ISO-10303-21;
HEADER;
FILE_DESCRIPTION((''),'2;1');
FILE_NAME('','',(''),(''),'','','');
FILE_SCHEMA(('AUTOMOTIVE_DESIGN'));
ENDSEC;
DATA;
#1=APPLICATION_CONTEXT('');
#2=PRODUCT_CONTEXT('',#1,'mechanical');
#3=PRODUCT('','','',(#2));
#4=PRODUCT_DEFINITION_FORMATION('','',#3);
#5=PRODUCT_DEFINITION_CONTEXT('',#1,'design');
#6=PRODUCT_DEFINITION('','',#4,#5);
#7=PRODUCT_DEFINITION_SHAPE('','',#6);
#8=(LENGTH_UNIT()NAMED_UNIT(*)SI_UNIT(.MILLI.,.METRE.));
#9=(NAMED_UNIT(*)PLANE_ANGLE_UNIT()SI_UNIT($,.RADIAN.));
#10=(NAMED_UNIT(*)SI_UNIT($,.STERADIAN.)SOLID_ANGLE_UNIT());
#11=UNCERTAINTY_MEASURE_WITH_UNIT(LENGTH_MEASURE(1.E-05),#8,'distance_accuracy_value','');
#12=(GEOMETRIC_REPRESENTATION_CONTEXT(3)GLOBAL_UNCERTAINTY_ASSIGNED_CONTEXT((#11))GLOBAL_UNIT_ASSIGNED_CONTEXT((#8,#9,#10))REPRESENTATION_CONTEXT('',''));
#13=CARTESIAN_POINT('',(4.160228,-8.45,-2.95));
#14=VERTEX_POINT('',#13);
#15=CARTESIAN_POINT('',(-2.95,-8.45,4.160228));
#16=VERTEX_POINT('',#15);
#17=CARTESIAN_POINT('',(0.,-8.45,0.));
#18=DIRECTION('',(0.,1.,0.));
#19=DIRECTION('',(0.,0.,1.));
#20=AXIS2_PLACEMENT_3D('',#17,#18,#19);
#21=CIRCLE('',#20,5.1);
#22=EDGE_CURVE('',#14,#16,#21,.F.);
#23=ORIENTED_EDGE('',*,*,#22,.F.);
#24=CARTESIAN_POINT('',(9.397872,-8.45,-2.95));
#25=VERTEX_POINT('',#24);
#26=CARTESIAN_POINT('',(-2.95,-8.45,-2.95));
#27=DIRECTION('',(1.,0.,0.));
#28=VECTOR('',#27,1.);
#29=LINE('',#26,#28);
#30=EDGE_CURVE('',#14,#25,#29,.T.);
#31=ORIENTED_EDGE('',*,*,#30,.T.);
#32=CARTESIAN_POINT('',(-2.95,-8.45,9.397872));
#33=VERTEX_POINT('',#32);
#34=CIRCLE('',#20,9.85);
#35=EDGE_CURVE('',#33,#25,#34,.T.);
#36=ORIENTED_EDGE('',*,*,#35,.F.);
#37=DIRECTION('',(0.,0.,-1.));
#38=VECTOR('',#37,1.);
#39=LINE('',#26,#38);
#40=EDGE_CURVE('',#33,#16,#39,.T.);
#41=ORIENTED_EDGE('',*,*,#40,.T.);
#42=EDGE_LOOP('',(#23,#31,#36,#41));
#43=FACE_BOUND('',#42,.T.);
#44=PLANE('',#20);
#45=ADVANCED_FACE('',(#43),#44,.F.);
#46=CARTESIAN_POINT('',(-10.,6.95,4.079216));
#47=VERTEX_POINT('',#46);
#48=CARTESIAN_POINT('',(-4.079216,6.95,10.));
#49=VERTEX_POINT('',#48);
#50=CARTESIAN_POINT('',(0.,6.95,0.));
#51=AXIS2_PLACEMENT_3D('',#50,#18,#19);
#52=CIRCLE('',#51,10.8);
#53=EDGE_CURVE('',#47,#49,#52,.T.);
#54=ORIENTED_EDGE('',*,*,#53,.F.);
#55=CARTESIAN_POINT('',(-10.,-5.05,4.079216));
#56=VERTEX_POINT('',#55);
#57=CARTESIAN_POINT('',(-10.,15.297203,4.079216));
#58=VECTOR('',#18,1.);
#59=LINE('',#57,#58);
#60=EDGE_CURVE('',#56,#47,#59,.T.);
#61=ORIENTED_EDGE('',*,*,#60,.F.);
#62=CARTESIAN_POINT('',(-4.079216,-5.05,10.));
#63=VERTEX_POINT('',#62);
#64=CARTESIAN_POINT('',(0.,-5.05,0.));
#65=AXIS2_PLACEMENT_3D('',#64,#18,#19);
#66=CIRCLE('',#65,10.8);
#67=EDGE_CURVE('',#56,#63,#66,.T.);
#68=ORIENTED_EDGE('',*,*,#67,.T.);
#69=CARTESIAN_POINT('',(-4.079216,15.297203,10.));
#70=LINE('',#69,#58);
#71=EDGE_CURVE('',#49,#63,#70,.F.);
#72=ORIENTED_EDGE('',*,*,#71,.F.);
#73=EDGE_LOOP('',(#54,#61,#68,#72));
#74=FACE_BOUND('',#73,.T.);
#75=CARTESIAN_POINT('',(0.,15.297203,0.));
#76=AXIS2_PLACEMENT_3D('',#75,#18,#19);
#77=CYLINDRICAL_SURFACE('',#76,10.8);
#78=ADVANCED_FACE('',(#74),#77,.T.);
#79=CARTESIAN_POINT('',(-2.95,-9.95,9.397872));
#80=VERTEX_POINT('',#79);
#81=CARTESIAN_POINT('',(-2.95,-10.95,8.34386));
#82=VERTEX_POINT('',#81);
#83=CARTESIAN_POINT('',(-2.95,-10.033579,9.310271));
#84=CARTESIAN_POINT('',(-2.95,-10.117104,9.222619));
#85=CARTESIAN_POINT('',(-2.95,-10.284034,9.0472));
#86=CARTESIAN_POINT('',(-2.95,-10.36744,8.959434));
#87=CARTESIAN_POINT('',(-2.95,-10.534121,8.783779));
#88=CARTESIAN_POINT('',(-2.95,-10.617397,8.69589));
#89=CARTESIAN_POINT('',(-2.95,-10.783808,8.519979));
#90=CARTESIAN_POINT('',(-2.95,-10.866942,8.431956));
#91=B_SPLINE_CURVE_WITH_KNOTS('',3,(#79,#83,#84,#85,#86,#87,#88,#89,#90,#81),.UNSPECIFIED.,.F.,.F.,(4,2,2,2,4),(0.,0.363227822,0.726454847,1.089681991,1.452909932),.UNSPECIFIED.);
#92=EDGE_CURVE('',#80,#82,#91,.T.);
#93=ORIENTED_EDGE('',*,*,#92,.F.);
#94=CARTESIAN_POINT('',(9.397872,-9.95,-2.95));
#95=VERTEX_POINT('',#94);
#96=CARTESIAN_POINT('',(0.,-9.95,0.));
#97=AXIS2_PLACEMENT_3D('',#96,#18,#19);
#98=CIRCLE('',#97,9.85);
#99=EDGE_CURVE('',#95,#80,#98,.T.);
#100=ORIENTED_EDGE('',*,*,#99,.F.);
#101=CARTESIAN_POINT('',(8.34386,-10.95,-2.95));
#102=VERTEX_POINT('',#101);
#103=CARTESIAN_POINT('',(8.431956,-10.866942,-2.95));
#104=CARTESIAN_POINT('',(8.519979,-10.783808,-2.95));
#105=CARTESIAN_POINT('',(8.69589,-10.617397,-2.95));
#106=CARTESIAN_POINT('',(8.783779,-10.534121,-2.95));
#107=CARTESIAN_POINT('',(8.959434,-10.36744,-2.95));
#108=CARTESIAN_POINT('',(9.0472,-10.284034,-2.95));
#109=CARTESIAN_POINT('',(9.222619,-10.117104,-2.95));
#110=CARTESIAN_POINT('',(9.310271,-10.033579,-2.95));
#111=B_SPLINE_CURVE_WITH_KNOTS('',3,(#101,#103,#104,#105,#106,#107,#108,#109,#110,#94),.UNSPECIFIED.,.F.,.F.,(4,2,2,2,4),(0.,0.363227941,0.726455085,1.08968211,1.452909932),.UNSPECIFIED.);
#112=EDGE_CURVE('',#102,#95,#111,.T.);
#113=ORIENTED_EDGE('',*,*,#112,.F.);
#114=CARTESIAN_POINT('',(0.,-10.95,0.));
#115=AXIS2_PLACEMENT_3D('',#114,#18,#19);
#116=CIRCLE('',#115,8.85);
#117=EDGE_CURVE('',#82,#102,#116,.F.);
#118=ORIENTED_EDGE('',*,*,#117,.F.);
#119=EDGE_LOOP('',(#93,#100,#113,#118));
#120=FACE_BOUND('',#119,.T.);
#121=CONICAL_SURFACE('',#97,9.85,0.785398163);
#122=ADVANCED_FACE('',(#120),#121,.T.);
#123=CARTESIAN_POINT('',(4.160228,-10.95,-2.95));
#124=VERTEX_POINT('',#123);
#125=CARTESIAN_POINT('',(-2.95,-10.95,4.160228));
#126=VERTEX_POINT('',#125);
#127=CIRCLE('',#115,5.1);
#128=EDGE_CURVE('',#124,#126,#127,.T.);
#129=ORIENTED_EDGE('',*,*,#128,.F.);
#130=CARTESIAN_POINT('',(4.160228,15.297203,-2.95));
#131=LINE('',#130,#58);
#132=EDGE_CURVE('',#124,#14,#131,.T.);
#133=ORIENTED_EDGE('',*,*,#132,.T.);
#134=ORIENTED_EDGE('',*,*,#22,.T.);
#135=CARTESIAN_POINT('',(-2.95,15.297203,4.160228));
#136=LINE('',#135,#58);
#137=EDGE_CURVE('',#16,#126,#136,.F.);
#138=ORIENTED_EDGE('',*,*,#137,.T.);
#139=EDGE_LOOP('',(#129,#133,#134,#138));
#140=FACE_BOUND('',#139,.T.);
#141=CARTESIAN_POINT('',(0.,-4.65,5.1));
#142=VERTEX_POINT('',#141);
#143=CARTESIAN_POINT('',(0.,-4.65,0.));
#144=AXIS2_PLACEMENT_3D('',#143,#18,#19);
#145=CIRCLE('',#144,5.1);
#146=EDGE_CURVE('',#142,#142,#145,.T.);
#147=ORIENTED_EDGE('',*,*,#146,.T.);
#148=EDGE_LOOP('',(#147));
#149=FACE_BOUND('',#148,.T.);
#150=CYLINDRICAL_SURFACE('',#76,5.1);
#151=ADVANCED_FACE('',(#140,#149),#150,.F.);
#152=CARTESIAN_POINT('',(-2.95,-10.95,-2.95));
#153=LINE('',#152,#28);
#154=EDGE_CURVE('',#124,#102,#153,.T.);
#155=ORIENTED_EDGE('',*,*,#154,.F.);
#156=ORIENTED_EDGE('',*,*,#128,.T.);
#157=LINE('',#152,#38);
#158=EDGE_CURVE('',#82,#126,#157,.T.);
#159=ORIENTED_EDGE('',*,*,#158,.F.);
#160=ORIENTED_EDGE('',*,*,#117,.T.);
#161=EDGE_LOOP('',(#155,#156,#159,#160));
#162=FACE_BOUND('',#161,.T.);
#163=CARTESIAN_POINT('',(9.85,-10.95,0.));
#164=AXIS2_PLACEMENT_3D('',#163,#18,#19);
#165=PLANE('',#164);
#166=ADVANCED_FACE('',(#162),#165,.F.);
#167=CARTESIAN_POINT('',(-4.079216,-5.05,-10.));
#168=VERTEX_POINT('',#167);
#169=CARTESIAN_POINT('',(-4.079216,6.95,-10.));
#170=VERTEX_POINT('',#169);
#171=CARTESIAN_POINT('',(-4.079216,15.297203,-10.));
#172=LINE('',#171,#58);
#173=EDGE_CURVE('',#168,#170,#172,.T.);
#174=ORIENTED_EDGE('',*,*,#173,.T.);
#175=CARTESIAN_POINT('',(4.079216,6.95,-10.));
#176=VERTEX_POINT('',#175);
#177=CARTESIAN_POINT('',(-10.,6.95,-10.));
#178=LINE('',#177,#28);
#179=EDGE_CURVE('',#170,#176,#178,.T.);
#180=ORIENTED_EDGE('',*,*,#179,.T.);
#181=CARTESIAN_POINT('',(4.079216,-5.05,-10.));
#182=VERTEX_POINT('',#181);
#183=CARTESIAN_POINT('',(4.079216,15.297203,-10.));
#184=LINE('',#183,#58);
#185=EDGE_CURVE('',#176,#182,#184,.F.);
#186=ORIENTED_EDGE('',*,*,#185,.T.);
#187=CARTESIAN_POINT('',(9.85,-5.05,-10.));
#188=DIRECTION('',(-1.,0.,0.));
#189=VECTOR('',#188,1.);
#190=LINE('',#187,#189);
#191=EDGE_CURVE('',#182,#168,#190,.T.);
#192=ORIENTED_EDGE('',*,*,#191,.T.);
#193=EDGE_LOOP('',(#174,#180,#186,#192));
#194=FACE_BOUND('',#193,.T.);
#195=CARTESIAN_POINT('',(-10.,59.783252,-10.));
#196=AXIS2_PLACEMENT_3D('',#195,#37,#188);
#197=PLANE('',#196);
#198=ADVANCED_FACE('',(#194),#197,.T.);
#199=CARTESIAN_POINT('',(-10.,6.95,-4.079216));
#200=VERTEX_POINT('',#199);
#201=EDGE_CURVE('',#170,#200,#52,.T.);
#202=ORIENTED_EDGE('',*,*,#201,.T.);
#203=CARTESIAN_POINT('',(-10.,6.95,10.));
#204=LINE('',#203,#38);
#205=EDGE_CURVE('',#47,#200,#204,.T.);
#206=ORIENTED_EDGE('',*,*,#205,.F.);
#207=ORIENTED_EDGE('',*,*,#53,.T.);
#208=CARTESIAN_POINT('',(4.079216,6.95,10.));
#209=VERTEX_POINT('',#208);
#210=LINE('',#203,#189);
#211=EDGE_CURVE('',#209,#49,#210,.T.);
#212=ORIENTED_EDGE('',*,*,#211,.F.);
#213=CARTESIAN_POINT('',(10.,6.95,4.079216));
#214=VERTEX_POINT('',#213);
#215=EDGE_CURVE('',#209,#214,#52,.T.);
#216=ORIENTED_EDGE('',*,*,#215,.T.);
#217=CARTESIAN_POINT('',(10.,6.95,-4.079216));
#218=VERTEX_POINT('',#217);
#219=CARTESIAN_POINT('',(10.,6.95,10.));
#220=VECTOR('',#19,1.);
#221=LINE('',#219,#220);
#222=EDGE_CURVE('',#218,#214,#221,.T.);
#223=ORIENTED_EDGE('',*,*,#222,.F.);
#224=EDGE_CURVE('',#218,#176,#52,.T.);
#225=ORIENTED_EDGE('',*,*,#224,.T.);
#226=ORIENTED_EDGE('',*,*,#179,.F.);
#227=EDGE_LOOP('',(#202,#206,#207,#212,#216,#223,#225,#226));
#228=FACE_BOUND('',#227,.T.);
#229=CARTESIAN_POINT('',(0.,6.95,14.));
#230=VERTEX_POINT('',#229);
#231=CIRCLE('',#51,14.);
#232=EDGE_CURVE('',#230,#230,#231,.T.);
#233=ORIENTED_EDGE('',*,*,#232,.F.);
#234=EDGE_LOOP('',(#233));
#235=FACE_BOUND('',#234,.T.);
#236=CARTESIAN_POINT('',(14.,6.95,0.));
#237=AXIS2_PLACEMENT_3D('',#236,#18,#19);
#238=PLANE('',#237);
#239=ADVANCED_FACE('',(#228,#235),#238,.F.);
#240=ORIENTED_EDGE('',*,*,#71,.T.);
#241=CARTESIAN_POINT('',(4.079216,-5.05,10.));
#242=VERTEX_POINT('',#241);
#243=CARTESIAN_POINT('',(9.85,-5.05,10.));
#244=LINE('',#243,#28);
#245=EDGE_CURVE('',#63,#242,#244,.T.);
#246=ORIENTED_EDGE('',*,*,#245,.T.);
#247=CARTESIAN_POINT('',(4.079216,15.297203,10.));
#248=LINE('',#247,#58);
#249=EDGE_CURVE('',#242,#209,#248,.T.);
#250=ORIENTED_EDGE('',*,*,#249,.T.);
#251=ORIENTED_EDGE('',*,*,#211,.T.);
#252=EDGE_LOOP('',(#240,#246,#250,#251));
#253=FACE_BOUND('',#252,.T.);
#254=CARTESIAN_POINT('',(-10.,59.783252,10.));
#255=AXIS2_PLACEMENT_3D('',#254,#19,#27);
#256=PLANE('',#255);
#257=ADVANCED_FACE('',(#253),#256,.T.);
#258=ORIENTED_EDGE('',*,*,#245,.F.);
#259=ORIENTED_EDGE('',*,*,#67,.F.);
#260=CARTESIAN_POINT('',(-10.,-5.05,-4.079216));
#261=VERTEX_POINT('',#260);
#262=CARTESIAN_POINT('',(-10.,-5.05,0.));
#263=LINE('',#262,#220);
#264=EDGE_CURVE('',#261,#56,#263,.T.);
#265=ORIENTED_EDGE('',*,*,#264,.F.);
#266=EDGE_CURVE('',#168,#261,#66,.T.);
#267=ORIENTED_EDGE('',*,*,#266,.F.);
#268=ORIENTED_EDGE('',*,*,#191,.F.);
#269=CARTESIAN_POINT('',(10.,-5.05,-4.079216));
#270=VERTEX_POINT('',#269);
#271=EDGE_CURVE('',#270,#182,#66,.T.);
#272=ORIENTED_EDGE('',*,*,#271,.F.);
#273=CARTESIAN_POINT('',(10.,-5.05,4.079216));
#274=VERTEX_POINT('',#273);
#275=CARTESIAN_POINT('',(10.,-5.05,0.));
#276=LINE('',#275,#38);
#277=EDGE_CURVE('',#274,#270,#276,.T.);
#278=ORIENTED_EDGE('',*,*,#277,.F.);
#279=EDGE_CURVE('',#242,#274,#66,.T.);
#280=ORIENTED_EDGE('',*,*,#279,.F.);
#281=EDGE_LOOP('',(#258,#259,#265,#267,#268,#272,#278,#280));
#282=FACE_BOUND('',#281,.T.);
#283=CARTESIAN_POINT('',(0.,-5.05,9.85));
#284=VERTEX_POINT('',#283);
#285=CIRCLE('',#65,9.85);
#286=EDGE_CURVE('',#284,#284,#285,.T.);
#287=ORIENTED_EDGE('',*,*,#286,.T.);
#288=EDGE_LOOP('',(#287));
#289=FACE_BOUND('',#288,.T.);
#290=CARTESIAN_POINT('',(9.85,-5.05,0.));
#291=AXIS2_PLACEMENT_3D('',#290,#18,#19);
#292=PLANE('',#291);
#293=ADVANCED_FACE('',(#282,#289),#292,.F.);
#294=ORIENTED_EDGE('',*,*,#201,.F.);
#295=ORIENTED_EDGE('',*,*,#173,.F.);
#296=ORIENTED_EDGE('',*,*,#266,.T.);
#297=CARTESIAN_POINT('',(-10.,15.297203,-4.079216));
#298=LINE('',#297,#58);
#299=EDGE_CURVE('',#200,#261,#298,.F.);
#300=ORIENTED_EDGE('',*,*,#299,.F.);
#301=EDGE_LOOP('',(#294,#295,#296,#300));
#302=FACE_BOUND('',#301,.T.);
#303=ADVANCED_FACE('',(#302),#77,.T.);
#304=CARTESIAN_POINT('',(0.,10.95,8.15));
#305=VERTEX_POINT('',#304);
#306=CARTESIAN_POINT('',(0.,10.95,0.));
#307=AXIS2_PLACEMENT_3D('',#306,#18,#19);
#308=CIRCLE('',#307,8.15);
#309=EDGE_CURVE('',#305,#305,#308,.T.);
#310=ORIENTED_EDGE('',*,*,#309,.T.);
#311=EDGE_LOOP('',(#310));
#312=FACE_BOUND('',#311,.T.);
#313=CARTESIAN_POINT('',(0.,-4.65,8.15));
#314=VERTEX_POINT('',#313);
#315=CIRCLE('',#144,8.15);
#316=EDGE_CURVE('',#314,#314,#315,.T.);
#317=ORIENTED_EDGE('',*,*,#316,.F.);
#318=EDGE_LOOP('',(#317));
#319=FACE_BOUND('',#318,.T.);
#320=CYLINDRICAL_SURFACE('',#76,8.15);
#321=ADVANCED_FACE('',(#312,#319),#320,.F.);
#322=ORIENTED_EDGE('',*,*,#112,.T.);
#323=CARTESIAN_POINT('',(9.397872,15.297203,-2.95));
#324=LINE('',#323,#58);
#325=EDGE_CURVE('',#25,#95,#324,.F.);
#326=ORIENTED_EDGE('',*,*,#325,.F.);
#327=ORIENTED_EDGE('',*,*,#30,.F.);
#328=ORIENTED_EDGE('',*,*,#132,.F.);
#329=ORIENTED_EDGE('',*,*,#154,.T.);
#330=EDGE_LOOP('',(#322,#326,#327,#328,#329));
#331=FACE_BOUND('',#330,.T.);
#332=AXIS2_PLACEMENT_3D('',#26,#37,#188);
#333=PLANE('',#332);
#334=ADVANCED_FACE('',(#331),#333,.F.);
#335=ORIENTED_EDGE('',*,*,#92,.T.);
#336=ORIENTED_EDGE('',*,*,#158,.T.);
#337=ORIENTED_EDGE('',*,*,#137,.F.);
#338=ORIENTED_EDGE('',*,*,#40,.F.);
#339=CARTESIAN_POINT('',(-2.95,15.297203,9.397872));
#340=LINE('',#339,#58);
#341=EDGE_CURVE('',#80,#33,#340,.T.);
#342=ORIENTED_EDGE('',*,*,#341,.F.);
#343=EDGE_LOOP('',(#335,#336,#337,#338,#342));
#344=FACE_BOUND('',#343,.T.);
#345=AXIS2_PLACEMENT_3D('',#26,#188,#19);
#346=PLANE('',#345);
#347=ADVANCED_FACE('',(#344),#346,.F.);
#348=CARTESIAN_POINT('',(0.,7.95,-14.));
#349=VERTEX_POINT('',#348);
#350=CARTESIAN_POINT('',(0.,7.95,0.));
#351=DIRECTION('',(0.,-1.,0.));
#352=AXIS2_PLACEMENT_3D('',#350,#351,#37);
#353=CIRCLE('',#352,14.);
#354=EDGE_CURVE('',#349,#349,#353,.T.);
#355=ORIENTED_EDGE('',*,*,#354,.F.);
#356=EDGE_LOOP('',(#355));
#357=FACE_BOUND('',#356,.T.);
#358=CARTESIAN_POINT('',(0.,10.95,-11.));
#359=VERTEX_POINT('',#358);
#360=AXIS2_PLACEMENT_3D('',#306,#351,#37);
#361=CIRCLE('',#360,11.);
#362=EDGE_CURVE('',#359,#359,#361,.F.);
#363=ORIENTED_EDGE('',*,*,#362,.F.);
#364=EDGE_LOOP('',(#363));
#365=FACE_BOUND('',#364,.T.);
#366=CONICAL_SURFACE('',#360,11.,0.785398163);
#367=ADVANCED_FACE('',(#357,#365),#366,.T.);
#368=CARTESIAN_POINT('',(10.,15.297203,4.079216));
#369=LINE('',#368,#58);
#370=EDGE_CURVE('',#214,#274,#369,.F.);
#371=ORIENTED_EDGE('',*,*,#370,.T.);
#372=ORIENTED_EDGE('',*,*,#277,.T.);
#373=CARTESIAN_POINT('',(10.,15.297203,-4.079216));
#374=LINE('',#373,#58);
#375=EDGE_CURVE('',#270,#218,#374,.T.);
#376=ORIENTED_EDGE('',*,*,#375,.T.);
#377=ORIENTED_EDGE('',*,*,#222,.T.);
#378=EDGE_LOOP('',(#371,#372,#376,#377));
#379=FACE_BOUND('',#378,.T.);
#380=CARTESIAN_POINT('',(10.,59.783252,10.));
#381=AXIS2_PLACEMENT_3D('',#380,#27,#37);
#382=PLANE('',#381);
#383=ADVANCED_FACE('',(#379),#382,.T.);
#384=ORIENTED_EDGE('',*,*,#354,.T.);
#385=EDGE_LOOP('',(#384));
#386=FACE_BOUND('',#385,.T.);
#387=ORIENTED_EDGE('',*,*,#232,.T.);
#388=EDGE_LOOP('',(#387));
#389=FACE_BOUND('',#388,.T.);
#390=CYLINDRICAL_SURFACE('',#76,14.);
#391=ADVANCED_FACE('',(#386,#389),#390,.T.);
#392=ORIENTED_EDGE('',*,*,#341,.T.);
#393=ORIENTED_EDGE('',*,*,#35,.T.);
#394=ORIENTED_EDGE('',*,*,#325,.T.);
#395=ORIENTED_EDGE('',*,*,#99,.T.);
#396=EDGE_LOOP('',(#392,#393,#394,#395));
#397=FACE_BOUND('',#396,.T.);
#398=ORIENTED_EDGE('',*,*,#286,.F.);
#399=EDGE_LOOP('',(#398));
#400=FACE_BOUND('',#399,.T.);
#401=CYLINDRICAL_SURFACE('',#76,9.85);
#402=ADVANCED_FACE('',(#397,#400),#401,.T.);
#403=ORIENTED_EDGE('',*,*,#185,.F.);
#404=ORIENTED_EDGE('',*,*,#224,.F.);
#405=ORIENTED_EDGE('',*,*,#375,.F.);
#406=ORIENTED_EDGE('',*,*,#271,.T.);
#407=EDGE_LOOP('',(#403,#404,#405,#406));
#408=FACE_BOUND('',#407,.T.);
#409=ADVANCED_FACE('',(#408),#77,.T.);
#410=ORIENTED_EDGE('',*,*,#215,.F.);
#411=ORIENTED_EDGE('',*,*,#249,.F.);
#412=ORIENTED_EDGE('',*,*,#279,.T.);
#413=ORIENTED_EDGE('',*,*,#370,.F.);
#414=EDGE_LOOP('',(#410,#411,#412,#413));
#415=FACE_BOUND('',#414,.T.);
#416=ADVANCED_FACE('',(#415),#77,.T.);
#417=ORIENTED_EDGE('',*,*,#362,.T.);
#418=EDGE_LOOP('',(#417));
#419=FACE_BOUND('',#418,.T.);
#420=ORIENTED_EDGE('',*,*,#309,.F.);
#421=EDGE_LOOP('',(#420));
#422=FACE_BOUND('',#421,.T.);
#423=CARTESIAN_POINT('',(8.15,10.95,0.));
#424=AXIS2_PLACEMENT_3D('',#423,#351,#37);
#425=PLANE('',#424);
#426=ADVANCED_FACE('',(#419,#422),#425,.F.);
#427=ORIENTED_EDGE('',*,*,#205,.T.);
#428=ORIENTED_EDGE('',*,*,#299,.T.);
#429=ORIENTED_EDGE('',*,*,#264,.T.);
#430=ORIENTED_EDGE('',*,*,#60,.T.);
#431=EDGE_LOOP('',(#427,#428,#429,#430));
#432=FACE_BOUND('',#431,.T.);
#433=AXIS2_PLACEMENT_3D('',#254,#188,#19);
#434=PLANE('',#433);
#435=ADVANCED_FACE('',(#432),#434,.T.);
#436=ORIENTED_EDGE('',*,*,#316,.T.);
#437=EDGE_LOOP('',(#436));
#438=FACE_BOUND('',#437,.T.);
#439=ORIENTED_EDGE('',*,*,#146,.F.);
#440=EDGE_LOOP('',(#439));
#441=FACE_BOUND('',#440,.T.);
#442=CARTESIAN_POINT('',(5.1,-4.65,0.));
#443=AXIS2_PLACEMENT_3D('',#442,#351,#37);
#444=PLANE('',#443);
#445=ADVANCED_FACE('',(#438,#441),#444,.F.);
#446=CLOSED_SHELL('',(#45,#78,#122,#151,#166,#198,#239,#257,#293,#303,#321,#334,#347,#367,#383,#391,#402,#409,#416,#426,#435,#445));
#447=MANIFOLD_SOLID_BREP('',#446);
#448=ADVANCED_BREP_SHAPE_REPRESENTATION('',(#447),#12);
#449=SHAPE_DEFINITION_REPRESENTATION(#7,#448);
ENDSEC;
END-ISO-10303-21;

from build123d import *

# Parameters (mm, degrees)
SMUSSO1_SIZE             = 3
SCHIZZO2_R               = 18.679375542
SCHIZZO2_W               = 20
SCHIZZO2_H               = 20
TAGLIO_ESTRUSIONE1_DEPTH = 17.9
SCHIZZO3_W               = 20
SCHIZZO3_H               = 20
TAGLIO_ESTRUSIONE2_DEPTH = 2.5
SMUSSO2_SIZE             = 1


with BuildPart() as part:
    # Schizzo1 → Rivoluzione1 (revolve)
    with BuildSketch(Plane.XY, mode=Mode.PRIVATE) as rivoluzione1_sk:
        Polygon((8.15, -4.65), (8.15, 10.95), (14, 10.95), (14, 6.95), (10.8, 6.95), (10.8, -5.05), (9.85, -5.05), (9.85, -10.95), (5.1, -10.95), (5.1, -4.65), align=None)
    revolve(rivoluzione1_sk.sketch.rotate(Axis((0, 15.297202797, 0), (0, -1, 0)), 90), axis=Axis((0, 15.297202797, 0), (0, -1, 0)))

    # Smusso1
    smusso1_edges = [part.edges().sort_by_distance(p)[0] for p in [
        (0, 10.95, -14),
    ]]
    chamfer(smusso1_edges, length=SMUSSO1_SIZE)

    # Schizzo2 → Taglio-Estrusione1 (cut)
    with BuildSketch(Plane.XZ.offset(10.95)):
        Circle(SCHIZZO2_R)
        Rectangle(SCHIZZO2_W, SCHIZZO2_H, mode=Mode.SUBTRACT)
    extrude(amount=-TAGLIO_ESTRUSIONE1_DEPTH, mode=Mode.SUBTRACT)

    # Schizzo3 → Taglio-Estrusione2 (cut)
    with BuildSketch(Plane.XZ.offset(10.95)):
        with Locations((7.05, 7.05)):
            Rectangle(SCHIZZO3_W, SCHIZZO3_H)
    extrude(amount=-TAGLIO_ESTRUSIONE2_DEPTH, mode=Mode.SUBTRACT)

    # Smusso2
    smusso2_edges = [part.edges().sort_by_distance(p)[0] for p in [
        (-6.965001795, -10.95, -6.965001795),
    ]]
    chamfer(smusso2_edges, length=SMUSSO2_SIZE)


solid = part.part
